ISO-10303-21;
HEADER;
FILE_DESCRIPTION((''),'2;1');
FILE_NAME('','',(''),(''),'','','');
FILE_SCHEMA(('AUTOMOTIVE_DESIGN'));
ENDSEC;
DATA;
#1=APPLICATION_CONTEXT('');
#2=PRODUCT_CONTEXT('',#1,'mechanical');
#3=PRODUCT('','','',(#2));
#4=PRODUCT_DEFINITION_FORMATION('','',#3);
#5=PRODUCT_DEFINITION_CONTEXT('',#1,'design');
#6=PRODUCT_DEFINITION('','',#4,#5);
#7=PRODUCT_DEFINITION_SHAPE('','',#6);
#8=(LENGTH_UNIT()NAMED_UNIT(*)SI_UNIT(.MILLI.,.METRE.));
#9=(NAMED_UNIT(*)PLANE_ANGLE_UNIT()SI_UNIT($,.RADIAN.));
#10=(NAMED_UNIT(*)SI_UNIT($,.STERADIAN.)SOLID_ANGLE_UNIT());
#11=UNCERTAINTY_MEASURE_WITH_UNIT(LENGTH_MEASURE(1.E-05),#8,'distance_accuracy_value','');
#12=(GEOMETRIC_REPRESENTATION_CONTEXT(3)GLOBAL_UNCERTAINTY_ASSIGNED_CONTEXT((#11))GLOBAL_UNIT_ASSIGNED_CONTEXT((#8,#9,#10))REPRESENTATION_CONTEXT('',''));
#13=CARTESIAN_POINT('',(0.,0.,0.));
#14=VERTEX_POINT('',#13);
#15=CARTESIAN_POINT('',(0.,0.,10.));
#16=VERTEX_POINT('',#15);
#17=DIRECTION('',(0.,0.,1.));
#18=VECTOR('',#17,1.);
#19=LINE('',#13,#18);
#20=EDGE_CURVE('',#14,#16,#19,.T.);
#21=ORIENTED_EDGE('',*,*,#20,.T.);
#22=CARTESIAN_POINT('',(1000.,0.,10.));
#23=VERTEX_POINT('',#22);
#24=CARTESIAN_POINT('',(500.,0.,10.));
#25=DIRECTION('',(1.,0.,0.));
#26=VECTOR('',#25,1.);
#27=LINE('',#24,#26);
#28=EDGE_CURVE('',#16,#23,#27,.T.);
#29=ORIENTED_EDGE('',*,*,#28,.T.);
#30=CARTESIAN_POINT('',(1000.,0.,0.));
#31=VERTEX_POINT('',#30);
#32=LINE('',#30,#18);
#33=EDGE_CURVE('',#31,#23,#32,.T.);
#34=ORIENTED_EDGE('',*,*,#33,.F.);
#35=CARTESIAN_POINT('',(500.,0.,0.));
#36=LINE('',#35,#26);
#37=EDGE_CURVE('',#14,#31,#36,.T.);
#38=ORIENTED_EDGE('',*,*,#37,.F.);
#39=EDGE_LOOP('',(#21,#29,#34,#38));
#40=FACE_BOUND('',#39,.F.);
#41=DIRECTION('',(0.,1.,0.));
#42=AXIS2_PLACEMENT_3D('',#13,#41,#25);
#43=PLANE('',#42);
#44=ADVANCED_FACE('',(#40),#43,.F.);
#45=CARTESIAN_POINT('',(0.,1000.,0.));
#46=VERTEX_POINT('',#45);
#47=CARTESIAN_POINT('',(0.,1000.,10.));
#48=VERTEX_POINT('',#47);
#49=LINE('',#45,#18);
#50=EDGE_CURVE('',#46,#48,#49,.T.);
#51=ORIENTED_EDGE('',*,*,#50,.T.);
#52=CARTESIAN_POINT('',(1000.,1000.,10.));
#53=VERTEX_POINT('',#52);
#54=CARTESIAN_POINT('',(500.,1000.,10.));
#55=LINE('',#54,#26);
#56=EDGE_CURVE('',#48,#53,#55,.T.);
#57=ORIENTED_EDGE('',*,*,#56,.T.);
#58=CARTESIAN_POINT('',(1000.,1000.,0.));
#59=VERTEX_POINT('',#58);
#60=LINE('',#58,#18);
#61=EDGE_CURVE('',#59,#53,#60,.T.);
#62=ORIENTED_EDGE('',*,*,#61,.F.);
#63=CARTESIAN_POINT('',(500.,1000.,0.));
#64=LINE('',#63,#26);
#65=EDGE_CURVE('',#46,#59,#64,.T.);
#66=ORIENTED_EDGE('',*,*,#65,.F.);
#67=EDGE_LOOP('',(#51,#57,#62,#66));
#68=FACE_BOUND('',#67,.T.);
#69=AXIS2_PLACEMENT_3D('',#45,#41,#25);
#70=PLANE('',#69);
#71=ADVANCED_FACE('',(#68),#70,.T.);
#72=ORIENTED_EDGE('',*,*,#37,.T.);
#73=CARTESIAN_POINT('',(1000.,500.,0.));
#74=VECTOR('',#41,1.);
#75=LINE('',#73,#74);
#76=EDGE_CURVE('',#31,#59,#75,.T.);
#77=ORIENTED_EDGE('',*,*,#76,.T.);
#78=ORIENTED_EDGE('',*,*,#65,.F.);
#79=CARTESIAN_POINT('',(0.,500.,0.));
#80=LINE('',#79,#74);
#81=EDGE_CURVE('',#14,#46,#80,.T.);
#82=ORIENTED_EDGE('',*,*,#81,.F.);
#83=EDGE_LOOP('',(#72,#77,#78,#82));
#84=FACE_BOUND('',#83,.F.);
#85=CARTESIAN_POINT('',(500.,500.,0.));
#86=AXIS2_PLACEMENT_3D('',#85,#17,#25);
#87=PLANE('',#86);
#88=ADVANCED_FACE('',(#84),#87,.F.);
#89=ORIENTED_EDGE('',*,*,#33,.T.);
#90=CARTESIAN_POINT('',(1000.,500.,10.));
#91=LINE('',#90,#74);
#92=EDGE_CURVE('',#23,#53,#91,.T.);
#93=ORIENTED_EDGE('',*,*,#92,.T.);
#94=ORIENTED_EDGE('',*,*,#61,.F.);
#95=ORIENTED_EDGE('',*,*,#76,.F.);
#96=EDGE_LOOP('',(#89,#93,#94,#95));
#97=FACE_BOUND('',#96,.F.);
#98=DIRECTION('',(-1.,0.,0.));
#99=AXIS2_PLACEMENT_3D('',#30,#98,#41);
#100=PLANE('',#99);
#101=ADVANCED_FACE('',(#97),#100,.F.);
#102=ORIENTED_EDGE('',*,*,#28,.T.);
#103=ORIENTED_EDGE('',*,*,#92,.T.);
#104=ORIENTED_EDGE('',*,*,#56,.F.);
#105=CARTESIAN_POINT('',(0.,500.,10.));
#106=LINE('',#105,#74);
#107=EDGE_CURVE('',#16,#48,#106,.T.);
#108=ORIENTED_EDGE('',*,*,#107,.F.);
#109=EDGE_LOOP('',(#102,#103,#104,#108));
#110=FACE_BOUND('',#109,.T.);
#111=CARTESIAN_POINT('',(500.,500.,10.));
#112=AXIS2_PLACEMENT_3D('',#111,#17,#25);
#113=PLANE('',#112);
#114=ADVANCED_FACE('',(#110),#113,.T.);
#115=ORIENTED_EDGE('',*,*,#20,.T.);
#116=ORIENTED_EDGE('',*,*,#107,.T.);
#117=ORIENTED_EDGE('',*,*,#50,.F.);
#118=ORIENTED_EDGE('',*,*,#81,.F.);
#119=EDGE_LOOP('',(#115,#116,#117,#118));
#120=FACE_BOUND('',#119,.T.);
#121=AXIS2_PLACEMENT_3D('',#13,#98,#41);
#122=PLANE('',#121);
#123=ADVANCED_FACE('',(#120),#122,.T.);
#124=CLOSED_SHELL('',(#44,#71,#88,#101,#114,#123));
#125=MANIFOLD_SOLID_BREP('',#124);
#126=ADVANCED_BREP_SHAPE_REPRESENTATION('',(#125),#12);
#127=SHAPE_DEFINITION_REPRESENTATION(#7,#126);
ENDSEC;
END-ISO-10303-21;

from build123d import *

# Parameters (mm, degrees)
BOX_W     = 1000
BOX_H     = 1000
BOX_DEPTH = 10


with BuildPart() as part:
    # Box → Box (new body)
    with BuildSketch(Plane.XY):
        with Locations((500, 500)):
            Rectangle(BOX_W, BOX_H)
    extrude(amount=BOX_DEPTH)


solid = part.part
